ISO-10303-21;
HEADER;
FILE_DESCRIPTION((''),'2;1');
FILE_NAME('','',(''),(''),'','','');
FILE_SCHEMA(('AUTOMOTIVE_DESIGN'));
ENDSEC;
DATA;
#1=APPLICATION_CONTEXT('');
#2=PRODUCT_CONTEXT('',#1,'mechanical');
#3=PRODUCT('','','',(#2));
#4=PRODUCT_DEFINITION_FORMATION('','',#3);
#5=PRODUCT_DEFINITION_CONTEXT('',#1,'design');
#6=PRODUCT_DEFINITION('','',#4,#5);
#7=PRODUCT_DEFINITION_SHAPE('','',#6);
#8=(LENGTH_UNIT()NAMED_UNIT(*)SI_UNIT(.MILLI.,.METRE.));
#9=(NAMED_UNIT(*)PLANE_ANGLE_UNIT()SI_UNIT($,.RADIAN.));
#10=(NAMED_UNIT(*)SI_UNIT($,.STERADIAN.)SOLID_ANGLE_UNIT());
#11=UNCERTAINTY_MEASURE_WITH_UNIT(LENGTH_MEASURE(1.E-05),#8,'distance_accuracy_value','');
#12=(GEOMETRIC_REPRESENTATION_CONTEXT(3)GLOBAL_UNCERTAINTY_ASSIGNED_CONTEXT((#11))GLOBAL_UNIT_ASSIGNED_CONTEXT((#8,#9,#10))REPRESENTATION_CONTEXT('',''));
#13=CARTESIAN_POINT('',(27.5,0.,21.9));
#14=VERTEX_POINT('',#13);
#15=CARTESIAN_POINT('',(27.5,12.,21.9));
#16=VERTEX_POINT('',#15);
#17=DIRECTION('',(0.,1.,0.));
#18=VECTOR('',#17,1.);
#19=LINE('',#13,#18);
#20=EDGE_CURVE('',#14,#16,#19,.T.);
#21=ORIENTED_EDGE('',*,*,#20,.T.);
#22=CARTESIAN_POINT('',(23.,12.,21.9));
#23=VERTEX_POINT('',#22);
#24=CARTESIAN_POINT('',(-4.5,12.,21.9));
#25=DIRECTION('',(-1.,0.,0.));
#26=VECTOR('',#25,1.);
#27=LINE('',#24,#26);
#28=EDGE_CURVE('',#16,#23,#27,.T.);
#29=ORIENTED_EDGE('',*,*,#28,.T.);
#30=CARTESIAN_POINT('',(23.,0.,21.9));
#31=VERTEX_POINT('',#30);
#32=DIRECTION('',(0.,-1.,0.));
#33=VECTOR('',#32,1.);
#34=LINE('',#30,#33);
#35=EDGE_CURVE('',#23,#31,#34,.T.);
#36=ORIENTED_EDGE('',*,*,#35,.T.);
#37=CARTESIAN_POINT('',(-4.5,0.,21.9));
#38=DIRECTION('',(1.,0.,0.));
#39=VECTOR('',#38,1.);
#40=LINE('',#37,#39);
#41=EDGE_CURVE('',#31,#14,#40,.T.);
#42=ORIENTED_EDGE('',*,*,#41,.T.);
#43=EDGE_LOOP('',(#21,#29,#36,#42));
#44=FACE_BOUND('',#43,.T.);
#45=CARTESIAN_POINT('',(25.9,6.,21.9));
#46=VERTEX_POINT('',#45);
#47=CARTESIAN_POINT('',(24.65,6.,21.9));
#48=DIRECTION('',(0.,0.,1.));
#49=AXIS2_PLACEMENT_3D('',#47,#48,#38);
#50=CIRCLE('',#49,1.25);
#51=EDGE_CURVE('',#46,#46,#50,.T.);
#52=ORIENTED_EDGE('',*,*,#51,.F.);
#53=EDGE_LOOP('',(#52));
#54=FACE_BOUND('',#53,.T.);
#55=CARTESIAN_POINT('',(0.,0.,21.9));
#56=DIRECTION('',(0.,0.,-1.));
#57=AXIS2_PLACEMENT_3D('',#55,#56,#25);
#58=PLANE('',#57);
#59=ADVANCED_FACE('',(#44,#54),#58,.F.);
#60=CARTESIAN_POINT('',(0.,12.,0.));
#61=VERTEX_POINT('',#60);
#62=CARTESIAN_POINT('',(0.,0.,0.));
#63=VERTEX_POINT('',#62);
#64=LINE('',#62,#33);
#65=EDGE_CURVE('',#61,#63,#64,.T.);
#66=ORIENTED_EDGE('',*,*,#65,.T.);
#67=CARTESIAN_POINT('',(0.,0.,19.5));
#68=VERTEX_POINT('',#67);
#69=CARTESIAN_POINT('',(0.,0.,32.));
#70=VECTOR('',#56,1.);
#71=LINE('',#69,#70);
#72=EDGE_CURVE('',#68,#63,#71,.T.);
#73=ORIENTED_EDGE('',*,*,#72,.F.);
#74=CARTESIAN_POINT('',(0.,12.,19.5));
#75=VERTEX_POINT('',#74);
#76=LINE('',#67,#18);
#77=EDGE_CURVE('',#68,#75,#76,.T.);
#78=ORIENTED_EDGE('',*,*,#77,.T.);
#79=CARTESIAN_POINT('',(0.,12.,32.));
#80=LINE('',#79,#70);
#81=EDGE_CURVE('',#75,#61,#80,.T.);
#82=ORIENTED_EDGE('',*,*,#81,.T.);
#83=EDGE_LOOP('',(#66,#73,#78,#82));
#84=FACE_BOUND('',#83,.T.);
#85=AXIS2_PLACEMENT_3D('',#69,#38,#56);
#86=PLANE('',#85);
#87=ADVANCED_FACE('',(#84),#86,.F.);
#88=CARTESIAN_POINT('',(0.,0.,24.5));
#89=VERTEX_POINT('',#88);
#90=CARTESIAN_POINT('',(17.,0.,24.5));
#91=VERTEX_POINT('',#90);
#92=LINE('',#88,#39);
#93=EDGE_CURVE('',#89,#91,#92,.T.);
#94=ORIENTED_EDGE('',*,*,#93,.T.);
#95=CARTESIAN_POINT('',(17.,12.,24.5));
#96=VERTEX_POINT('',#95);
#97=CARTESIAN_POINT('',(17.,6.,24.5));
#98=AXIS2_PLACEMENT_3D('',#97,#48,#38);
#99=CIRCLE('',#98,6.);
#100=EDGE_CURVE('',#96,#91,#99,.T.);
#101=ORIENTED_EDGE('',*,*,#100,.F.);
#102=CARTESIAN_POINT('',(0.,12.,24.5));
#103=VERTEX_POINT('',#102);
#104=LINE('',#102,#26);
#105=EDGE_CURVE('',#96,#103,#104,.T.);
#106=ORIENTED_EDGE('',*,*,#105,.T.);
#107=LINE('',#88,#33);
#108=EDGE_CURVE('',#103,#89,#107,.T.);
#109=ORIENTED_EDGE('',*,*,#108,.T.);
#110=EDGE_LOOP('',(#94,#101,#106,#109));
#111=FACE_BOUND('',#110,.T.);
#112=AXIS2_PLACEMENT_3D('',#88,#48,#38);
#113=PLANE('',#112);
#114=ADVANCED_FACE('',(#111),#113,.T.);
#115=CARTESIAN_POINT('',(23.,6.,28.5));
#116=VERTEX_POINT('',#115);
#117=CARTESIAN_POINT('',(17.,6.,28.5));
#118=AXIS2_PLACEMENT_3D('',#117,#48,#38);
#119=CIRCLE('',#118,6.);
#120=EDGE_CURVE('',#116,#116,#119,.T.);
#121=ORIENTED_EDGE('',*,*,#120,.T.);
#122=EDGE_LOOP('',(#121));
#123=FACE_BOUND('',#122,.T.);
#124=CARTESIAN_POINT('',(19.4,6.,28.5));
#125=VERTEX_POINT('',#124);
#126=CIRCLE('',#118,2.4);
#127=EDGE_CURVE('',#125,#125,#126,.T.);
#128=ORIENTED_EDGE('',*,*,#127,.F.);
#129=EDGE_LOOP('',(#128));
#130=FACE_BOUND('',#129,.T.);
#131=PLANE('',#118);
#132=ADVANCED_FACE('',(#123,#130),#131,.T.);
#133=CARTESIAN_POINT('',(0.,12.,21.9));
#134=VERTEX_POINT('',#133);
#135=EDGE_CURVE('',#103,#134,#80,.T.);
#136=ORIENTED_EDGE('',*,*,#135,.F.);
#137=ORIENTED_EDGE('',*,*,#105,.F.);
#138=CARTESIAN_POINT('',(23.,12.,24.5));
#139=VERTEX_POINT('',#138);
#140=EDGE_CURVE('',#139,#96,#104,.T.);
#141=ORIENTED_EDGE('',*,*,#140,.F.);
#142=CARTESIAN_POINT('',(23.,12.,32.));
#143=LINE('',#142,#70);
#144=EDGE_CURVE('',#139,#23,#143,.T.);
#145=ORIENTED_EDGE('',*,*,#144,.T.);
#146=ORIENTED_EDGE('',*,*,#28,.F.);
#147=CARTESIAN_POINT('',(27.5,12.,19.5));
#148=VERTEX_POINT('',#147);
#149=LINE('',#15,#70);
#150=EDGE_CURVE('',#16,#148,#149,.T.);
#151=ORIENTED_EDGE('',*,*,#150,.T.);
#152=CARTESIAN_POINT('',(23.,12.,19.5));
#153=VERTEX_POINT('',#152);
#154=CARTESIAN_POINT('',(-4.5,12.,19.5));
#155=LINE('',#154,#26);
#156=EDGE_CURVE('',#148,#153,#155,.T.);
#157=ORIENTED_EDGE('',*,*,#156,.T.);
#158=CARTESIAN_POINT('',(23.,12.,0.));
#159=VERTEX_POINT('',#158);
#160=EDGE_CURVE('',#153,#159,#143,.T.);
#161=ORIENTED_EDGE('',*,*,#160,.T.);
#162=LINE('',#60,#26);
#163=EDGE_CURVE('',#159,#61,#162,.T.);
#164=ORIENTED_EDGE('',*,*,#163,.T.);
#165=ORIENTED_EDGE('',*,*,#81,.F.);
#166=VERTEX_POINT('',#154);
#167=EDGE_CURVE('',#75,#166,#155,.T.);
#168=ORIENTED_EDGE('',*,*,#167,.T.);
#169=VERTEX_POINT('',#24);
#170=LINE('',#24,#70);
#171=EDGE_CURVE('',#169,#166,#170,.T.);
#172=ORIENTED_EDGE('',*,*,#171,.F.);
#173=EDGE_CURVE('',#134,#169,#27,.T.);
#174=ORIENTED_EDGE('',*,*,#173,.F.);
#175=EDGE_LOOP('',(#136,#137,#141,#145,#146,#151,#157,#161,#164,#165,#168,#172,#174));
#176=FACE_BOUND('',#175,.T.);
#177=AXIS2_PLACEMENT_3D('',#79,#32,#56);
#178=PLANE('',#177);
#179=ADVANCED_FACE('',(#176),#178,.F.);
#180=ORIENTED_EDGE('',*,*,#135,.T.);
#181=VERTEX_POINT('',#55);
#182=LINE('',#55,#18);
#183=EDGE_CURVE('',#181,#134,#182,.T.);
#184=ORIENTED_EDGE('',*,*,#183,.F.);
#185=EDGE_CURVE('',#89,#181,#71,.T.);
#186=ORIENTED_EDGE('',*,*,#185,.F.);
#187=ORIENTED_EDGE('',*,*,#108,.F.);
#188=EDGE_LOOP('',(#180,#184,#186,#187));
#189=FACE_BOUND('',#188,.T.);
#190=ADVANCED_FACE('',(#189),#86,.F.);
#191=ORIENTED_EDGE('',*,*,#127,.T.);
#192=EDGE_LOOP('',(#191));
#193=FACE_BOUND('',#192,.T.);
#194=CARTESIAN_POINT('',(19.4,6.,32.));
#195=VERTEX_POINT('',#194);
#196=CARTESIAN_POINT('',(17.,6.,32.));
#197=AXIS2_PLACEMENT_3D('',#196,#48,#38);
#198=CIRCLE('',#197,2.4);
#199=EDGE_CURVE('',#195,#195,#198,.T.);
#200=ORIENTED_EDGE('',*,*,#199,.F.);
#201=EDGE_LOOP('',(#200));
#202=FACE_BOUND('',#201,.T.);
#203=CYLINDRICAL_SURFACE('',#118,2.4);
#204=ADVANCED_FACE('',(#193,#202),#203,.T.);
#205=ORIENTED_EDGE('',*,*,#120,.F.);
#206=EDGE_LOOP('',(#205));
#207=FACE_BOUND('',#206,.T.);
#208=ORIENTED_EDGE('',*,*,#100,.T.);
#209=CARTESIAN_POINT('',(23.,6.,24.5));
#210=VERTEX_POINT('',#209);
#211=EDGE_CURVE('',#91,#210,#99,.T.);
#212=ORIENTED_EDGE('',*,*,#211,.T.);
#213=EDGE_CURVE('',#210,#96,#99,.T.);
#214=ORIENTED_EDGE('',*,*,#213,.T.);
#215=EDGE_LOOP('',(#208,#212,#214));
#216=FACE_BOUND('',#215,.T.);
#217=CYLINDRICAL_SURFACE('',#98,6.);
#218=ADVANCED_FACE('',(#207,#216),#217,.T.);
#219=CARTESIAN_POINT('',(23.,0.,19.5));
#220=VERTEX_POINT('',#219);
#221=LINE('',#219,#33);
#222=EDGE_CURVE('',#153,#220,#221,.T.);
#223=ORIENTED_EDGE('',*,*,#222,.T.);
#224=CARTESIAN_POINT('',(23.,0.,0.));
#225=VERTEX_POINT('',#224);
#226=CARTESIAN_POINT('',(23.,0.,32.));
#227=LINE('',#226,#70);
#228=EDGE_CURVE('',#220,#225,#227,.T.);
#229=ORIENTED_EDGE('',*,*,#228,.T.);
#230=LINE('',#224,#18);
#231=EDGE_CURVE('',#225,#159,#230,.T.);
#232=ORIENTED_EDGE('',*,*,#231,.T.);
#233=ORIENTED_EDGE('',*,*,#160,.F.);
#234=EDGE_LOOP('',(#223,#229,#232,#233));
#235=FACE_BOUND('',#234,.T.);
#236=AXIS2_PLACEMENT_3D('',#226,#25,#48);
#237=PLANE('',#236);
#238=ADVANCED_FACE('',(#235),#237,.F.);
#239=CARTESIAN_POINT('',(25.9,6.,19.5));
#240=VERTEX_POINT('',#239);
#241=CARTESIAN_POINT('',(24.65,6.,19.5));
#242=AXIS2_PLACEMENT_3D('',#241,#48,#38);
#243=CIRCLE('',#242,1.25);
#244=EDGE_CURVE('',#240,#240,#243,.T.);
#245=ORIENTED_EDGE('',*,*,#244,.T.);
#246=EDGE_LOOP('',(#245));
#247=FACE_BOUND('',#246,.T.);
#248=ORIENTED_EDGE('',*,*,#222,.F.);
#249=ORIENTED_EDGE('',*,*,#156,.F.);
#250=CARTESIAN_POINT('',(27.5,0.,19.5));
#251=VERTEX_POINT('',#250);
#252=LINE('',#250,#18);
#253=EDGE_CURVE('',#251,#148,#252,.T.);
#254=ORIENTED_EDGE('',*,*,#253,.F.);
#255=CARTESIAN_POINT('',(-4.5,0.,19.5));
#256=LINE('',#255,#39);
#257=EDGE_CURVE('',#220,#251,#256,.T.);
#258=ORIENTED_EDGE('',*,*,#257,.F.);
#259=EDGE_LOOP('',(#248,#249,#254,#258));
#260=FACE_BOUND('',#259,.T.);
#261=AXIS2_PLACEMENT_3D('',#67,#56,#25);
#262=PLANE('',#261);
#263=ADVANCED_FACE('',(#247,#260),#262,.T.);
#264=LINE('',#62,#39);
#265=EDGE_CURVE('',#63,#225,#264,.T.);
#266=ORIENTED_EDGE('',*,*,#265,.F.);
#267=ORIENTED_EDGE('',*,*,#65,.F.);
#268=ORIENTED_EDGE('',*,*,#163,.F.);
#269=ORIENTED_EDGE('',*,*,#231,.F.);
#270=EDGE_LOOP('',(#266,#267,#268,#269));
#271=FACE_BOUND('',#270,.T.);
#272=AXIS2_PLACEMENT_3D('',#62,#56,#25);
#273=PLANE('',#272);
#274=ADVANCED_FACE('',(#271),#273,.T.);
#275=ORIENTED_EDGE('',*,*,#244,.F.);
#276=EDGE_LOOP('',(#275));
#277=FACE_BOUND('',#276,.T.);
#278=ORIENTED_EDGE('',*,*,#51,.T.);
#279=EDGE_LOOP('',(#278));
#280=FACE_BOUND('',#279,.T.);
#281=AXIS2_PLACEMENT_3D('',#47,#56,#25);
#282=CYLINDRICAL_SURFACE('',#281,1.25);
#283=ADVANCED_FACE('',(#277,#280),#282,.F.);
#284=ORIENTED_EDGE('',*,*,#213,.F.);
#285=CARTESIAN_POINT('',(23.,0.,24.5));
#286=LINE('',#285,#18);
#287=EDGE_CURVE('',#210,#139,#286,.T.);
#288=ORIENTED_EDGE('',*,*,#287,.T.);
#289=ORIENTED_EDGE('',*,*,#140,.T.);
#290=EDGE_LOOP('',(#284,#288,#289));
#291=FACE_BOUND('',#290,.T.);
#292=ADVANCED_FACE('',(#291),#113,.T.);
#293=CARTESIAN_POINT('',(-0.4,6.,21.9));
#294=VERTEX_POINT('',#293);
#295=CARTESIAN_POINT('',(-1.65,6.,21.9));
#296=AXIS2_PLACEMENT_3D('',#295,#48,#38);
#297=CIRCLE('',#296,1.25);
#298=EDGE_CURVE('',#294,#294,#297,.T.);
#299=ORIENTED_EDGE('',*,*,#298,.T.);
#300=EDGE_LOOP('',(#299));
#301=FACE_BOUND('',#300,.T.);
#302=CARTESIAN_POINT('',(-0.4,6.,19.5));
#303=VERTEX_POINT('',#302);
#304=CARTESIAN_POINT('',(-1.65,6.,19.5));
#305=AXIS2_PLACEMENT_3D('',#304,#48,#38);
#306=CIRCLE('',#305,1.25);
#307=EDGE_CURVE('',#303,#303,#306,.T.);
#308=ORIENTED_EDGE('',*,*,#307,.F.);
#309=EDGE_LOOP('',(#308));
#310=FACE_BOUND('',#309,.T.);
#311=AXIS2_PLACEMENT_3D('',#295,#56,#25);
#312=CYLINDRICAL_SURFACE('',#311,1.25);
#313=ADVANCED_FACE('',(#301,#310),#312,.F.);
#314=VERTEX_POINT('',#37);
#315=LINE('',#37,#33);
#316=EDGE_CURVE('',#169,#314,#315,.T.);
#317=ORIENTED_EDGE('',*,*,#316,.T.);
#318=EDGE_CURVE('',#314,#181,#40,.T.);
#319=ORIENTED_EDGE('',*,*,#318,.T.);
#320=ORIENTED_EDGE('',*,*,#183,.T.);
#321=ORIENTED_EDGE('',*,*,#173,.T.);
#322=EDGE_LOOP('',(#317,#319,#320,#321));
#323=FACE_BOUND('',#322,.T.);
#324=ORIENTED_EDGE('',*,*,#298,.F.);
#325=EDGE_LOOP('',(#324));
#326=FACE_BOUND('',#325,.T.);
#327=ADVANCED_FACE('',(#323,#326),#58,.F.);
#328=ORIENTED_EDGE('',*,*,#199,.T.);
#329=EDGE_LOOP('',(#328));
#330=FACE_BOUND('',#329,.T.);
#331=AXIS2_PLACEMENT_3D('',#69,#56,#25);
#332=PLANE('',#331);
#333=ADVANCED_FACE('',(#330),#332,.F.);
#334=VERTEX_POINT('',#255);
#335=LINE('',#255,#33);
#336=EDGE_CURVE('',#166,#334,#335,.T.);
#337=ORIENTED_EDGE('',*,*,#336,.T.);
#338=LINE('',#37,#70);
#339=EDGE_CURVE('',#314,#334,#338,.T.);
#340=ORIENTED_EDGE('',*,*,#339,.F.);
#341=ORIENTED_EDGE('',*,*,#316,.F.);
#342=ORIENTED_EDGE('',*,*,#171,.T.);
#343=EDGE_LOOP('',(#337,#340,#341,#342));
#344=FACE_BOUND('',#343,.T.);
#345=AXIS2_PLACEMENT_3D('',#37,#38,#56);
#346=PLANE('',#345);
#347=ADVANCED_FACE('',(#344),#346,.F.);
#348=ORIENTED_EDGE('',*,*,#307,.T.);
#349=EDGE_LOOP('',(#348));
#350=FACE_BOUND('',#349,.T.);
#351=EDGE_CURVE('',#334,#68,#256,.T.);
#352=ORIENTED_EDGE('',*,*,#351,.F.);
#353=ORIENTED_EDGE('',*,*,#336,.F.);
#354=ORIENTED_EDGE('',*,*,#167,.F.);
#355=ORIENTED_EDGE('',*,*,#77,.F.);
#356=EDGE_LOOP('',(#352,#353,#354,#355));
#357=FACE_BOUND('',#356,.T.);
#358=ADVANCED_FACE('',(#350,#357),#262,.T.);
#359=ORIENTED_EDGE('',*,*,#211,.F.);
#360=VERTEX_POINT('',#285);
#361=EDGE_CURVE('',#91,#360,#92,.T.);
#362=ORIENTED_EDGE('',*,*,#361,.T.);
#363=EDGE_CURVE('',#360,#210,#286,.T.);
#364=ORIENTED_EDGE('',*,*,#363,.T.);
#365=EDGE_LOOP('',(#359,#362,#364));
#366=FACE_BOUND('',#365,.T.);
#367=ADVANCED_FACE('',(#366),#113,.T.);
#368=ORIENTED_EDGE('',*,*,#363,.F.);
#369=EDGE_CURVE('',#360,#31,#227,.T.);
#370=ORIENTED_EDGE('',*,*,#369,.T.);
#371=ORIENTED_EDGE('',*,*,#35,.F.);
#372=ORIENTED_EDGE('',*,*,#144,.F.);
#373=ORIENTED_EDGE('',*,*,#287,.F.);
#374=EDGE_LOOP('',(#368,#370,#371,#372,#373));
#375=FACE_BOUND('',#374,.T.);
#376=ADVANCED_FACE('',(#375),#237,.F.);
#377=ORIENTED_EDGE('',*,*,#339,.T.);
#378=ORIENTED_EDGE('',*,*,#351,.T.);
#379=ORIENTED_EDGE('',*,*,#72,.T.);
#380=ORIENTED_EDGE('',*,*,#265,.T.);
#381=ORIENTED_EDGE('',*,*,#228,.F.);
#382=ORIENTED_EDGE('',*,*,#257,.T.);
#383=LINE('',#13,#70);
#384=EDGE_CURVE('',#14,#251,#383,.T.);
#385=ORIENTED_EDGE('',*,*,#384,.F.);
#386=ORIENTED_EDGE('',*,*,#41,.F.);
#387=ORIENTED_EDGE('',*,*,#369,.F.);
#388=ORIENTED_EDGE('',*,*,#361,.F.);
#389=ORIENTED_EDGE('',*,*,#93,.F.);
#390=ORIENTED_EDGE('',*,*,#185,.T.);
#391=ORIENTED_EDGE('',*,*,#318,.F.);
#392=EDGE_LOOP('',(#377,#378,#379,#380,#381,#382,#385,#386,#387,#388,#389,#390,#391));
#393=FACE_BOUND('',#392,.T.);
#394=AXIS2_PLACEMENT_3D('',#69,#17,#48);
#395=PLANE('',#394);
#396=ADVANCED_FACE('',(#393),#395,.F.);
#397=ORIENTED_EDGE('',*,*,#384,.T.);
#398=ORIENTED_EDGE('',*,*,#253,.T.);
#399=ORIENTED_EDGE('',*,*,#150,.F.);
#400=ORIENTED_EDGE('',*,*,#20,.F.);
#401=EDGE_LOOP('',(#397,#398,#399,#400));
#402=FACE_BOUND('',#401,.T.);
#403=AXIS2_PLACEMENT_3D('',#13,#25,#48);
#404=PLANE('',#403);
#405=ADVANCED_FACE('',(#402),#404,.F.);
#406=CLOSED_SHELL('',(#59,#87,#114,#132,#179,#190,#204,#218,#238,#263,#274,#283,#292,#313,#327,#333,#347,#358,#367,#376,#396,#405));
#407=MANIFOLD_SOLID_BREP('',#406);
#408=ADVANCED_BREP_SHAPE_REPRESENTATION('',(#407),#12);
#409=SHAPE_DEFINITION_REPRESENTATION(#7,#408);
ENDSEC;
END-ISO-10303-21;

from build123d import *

# Parameters (mm, degrees)
SKETCH1_W           = 23
SKETCH1_H           = 12
BOSS_EXTRUDE1_DEPTH = 32
CUT_EXTRUDE1_DEPTH  = 7.5
SKETCH3_R           = 6
SKETCH3_R_2         = 2.4
CUT_EXTRUDE2_DEPTH  = 3.5
SKETCH4_W           = 32
SKETCH4_H           = 12
SKETCH4_R           = 1.25
BOSS_EXTRUDE2_DEPTH = 2.4


with BuildPart() as part:
    # Sketch1 → Boss-Extrude1 (new body)
    with BuildSketch(Plane.XY):
        with Locations((11.5, 6)):
            Rectangle(SKETCH1_W, SKETCH1_H)
    extrude(amount=BOSS_EXTRUDE1_DEPTH)

    # Sketch2 → Cut-Extrude1 (cut)
    with BuildSketch(Plane.XY.offset(32)):
        with BuildLine():
            Line((17, 12), (0, 12))
            Line((0, 12), (0, 0))
            Line((0, 0), (17, 0))
            ThreePointArc((17, 0), (11, 6), (17, 12))
        make_face()
        with BuildLine():
            Line((23, 12), (17, 12))
            ThreePointArc((17, 12), (21.242640687, 10.242640687), (23, 6))
            Line((23, 6), (23, 12))
        make_face()
        with BuildLine():
            ThreePointArc((23, 6), (21.242640687, 1.757359313), (17, 0))
            Line((17, 0), (23, 0))
            Line((23, 0), (23, 6))
        make_face()
    extrude(amount=-CUT_EXTRUDE1_DEPTH, mode=Mode.SUBTRACT)

    # Sketch3 → Cut-Extrude2 (cut)
    with BuildSketch(Plane.XY.offset(32)):
        with Locations((17, 6)):
            Circle(SKETCH3_R)
        with Locations((17, 6)):
            Circle(SKETCH3_R_2, mode=Mode.SUBTRACT)
    extrude(amount=-CUT_EXTRUDE2_DEPTH, mode=Mode.SUBTRACT)

    # Sketch4 → Boss-Extrude2 (add)
    with BuildSketch(Plane.XY.offset(19.5)):
        with Locations((11.5, 6)):
            Rectangle(SKETCH4_W, SKETCH4_H)
        with Locations((24.65, 6)):
            Circle(SKETCH4_R, mode=Mode.SUBTRACT)
        with Locations((-1.65, 6)):
            Circle(SKETCH4_R, mode=Mode.SUBTRACT)
    extrude(amount=BOSS_EXTRUDE2_DEPTH)


solid = part.part
